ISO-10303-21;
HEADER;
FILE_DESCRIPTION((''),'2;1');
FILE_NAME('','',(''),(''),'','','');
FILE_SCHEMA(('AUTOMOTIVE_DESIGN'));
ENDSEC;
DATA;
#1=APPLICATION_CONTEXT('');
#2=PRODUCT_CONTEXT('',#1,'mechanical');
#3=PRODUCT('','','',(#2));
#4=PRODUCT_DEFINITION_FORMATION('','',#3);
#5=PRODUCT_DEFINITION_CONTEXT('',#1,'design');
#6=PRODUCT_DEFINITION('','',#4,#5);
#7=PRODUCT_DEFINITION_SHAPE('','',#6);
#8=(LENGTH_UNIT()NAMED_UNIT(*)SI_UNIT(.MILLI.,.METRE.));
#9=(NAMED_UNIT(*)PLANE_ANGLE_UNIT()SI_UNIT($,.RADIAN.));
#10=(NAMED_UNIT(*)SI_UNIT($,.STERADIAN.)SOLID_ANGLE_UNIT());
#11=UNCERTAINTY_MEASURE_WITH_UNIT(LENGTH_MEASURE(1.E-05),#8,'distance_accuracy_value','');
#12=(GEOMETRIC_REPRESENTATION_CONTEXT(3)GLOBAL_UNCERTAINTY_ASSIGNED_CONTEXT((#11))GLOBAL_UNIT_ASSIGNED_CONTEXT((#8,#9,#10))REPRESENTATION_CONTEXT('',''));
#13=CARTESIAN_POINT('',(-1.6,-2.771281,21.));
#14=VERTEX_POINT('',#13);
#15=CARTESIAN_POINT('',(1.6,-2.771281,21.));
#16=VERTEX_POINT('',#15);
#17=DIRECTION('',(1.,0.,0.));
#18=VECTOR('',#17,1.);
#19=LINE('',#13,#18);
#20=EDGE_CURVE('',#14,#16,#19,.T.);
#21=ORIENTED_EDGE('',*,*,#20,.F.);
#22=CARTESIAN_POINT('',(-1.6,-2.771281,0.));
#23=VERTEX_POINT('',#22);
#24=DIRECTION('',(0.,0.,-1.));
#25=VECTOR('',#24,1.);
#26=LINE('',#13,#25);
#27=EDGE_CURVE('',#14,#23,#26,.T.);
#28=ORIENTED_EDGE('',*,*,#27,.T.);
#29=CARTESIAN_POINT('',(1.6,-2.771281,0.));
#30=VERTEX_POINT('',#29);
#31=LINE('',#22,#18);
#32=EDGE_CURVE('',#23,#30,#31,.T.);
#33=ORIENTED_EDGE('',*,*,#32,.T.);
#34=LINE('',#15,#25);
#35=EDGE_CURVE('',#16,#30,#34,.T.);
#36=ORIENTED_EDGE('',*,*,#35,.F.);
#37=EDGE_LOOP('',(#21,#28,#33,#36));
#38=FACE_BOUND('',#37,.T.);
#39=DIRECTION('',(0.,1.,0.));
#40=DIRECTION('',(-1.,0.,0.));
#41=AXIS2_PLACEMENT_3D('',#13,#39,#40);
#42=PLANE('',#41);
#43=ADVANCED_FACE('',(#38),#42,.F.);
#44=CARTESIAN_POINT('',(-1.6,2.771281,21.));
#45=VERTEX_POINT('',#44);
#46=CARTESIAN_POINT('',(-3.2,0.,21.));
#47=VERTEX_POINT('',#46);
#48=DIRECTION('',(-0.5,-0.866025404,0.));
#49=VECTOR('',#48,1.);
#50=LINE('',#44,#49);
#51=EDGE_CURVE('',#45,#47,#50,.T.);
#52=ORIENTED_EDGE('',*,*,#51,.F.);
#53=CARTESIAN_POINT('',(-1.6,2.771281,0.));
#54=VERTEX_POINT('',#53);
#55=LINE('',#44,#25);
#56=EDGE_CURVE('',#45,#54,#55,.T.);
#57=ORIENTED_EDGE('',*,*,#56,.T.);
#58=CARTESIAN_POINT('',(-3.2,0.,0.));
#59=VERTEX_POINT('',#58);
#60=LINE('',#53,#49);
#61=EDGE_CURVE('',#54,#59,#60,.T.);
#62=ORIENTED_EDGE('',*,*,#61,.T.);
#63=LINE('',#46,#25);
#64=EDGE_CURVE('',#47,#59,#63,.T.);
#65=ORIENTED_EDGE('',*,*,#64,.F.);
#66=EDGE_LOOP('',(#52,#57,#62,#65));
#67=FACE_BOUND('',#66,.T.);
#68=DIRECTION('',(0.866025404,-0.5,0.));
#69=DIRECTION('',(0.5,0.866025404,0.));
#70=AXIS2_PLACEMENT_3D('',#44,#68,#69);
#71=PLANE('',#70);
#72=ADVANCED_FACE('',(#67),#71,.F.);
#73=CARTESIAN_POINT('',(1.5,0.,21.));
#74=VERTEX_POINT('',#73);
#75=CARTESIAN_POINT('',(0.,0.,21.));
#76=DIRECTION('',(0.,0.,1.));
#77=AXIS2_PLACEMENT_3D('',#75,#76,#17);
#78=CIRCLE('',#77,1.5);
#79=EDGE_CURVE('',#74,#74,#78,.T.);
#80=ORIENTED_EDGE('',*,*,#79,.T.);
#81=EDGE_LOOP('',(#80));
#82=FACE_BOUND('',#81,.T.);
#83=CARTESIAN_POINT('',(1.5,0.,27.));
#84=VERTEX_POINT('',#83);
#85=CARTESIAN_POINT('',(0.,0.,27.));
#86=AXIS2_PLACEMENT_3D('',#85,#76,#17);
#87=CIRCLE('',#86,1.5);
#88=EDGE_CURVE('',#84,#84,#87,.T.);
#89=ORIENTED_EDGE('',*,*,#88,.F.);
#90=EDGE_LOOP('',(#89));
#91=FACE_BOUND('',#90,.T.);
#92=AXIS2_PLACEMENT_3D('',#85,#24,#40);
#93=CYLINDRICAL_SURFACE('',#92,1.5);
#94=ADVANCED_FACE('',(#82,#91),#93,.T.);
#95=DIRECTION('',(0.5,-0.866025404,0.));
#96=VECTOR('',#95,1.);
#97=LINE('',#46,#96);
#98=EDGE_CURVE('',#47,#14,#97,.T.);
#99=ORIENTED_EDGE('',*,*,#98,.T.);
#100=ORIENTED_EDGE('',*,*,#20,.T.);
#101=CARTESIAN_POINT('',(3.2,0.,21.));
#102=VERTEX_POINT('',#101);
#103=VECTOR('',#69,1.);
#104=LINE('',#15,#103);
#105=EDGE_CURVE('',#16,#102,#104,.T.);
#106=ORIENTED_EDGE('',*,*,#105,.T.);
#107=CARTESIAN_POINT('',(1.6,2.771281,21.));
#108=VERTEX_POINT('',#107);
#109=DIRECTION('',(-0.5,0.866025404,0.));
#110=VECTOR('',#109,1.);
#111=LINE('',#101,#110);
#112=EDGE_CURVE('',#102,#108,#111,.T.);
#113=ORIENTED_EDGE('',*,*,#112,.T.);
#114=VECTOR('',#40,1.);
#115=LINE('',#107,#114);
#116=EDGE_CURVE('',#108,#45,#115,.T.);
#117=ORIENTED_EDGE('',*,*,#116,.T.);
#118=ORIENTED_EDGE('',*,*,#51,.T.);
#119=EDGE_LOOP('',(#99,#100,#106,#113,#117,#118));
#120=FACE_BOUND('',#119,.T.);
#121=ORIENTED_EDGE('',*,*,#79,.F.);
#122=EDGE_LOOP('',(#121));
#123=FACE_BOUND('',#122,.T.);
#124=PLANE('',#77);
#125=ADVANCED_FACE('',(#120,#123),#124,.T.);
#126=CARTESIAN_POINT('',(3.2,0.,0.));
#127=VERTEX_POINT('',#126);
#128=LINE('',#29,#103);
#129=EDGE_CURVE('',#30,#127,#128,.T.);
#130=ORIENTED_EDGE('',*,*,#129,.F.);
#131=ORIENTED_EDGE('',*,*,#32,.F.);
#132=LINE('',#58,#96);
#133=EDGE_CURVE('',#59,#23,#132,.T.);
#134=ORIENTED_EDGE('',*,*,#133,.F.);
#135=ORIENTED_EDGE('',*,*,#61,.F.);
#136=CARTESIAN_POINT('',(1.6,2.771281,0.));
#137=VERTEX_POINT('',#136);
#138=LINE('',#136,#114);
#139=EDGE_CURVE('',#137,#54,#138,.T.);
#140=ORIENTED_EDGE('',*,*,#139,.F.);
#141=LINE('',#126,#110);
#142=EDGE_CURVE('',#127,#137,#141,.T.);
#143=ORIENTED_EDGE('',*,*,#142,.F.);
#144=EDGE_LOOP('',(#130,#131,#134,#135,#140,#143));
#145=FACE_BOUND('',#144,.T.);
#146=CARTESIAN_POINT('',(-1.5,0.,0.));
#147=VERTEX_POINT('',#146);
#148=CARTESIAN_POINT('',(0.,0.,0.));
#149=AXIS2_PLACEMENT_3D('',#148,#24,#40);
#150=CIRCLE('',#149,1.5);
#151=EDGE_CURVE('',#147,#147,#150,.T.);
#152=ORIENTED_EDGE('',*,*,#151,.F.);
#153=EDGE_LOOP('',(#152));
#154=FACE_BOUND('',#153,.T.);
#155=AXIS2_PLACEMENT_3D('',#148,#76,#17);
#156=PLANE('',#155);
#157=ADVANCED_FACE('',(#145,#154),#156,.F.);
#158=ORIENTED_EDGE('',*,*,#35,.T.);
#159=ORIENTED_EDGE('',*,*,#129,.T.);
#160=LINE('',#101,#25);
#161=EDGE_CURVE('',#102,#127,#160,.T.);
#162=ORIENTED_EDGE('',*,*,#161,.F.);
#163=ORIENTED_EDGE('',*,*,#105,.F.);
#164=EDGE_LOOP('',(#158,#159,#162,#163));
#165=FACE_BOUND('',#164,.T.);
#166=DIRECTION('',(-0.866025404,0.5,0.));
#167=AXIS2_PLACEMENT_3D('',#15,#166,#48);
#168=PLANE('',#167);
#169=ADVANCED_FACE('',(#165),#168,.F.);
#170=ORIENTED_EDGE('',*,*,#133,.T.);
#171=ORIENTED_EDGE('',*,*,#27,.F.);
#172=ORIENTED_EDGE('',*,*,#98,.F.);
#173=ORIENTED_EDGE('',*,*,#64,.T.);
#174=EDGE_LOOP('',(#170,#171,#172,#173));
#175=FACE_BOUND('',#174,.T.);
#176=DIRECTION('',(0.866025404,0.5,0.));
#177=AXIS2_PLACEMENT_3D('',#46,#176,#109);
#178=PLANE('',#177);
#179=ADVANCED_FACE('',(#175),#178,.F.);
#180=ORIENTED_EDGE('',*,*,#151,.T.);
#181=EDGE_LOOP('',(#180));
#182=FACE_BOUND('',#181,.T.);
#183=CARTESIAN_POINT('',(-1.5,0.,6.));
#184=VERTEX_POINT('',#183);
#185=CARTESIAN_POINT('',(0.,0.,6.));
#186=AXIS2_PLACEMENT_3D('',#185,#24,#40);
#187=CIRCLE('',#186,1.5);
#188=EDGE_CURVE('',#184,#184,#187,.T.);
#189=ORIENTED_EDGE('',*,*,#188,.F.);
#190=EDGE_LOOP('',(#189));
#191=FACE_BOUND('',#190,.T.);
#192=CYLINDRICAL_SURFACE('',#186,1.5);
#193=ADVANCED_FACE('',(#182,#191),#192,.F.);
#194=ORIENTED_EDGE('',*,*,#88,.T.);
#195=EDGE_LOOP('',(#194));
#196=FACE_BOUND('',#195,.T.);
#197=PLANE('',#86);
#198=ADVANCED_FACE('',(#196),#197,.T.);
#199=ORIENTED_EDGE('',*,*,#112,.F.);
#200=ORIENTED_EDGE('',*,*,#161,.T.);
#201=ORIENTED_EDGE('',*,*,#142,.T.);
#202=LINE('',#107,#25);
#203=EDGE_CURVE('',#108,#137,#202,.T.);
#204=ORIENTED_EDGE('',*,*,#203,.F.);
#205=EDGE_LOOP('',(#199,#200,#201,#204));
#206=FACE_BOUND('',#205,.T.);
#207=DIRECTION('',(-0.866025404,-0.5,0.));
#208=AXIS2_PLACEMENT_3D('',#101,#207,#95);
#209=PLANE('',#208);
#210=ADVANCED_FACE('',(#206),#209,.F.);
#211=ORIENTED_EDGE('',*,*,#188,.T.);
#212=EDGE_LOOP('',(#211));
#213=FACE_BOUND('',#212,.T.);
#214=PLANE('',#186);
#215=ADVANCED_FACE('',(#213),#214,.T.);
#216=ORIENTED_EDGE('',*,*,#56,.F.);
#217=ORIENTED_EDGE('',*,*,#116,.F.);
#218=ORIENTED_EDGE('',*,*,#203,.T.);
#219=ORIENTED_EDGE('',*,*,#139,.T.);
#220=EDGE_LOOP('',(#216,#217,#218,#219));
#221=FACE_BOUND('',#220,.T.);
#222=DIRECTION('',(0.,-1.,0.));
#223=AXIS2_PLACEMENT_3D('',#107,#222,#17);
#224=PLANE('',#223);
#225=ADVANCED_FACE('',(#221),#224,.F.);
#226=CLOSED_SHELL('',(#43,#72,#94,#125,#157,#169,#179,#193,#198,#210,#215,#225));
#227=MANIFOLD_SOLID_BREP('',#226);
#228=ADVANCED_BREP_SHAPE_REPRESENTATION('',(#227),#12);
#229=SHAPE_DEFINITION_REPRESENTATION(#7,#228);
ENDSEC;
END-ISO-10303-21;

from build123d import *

# Parameters (mm, degrees)
EXTRUDE_1_DEPTH     = 21
SKETCH_4_R          = 1.5
CUT_EXTRUDE_1_DEPTH = 6
SKETCH_5_R          = 1.5
EXTRUDE_2_DEPTH     = 6


with BuildPart() as part:
    # 草图3 → 凸台-拉伸1 (new body)
    with BuildSketch(Plane.XY):
        Polygon((1.6, 2.771281292), (-1.6, 2.771281292), (-3.2, 0), (-1.6, -2.771281292), (1.6, -2.771281292), (3.2, 0), align=None)
    extrude(amount=EXTRUDE_1_DEPTH)

    # 草图4 → 切除-拉伸1 (cut)
    with BuildSketch(Plane(origin=(0, 0, 0), x_dir=(-1, 0, 0), z_dir=(0, 0, -1))):
        Circle(SKETCH_4_R)
    extrude(amount=-CUT_EXTRUDE_1_DEPTH, mode=Mode.SUBTRACT)

    # 草图5 → 凸台-拉伸2 (add)
    with BuildSketch(Plane.XY.offset(21)):
        with Locations(Location((0, 0, 0), (0, 0, 180))):
            Circle(SKETCH_5_R)
    extrude(amount=EXTRUDE_2_DEPTH)


solid = part.part
